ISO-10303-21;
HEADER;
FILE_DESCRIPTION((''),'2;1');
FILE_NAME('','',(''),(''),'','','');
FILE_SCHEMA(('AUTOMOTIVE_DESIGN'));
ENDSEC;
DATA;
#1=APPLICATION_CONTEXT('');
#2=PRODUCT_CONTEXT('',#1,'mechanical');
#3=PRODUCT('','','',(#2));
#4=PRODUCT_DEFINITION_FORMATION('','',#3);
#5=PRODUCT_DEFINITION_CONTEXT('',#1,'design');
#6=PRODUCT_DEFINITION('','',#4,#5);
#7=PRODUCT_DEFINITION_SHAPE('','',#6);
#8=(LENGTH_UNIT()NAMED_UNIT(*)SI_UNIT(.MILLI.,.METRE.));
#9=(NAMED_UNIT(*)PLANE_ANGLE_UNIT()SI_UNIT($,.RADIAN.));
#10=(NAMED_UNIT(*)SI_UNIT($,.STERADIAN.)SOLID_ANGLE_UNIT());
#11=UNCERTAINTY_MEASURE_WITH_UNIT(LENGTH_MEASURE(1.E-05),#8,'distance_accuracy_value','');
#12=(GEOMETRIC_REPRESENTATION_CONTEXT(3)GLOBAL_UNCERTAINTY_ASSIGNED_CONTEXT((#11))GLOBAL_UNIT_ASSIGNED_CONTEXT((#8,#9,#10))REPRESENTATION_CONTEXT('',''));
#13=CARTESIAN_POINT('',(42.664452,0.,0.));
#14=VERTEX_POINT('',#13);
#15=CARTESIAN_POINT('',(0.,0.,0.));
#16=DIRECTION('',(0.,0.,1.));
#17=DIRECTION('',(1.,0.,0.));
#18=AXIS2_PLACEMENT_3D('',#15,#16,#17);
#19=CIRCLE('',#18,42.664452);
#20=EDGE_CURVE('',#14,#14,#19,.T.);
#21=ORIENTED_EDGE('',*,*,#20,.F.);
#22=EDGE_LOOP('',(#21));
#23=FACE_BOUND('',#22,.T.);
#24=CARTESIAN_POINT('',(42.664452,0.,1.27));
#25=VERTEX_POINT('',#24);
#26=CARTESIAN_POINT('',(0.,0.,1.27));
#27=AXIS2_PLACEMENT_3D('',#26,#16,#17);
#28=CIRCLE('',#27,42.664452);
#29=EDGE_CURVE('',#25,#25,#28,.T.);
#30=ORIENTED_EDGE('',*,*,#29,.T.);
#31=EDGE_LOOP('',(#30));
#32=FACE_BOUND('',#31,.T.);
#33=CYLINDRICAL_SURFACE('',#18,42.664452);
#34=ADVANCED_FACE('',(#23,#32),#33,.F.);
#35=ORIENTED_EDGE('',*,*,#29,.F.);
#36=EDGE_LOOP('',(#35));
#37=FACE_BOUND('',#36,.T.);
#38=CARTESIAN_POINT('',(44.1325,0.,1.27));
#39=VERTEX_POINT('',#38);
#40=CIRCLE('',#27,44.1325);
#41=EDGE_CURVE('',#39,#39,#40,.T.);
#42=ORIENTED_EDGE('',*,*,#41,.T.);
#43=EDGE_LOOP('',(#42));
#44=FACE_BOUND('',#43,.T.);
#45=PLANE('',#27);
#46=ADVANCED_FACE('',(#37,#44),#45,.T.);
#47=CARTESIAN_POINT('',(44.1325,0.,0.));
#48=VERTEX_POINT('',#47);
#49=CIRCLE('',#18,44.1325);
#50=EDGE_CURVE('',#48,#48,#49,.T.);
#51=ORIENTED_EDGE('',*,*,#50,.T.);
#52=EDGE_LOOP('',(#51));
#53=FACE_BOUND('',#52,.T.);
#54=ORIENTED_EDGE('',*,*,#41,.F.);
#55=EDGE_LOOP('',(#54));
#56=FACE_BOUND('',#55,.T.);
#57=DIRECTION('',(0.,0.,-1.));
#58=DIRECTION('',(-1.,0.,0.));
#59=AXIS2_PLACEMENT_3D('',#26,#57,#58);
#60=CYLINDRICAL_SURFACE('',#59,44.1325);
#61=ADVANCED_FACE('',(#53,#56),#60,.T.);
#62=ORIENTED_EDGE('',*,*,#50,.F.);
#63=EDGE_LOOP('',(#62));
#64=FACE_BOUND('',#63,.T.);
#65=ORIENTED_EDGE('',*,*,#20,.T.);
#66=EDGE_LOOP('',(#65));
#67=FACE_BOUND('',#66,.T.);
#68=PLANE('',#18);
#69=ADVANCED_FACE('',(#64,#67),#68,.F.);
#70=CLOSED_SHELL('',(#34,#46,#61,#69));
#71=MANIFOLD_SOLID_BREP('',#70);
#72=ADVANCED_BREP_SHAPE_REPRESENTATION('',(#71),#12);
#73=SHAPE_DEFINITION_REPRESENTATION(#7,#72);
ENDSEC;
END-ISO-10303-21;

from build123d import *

# Parameters (mm, degrees)
SKETCH2_R           = 44.1325
BOSS_EXTRUDE1_DEPTH = 1.27
SKETCH3_R           = 42.6644522
CUT_EXTRUDE1_DEPTH  = 1.27


with BuildPart() as part:
    # Sketch2 → Boss-Extrude1 (new body)
    with BuildSketch(Plane.XY):
        Circle(SKETCH2_R)
    extrude(amount=BOSS_EXTRUDE1_DEPTH)

    # Sketch3 → Cut-Extrude1 (cut)
    with BuildSketch(Plane.XY.offset(1.27)):
        Circle(SKETCH3_R)
    extrude(amount=-CUT_EXTRUDE1_DEPTH, mode=Mode.SUBTRACT)


solid = part.part
